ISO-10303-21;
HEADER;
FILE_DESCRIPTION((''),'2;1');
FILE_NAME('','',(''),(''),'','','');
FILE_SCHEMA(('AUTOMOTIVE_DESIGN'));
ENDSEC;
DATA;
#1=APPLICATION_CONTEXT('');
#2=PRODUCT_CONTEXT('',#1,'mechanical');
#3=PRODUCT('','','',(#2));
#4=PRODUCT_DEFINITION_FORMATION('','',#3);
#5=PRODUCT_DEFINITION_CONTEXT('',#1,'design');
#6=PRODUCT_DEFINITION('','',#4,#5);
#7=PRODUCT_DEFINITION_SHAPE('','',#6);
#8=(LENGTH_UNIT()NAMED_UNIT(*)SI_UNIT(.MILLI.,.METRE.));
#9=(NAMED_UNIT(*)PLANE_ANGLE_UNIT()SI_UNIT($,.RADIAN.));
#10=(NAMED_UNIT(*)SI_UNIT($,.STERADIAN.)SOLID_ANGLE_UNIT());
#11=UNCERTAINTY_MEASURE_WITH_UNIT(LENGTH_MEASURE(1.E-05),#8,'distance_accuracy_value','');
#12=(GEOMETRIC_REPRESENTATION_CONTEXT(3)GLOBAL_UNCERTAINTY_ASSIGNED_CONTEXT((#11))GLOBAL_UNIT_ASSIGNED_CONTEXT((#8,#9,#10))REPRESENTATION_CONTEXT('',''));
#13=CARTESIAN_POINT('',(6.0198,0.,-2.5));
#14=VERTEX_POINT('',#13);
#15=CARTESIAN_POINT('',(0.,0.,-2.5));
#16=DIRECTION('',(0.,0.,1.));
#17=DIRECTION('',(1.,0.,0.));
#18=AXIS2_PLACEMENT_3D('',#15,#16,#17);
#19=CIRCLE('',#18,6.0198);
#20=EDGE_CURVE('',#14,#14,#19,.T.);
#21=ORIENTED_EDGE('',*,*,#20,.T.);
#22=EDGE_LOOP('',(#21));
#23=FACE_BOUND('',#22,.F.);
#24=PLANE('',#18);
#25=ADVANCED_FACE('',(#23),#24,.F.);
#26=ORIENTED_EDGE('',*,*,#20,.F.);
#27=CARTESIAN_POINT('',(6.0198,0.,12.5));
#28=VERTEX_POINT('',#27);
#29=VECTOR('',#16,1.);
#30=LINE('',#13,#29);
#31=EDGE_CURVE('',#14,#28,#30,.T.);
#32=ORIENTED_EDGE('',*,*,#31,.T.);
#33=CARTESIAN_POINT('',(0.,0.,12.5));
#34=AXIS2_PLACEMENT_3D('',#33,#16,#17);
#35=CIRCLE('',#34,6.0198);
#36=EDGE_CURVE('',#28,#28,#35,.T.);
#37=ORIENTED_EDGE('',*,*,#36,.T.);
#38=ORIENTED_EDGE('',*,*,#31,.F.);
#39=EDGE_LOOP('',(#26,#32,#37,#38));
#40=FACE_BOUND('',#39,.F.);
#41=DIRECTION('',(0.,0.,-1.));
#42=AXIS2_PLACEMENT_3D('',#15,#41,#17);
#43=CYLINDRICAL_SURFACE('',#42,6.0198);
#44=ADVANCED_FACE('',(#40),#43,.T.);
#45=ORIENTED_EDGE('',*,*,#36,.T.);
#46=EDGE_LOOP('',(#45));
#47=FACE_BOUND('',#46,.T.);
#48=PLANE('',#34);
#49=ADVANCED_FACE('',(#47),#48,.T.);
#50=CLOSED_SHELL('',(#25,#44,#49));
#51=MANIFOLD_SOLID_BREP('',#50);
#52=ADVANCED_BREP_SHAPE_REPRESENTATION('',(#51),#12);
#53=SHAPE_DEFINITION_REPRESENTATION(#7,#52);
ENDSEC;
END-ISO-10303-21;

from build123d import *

# Parameters (mm, degrees)
CYLINDER_R     = 6.0198
CYLINDER_DEPTH = 15


with BuildPart() as part:
    # Cylinder → Cylinder (new body)
    with BuildSketch(Plane.XY.offset(-2.5)):
        Circle(CYLINDER_R)
    extrude(amount=CYLINDER_DEPTH)


solid = part.part
